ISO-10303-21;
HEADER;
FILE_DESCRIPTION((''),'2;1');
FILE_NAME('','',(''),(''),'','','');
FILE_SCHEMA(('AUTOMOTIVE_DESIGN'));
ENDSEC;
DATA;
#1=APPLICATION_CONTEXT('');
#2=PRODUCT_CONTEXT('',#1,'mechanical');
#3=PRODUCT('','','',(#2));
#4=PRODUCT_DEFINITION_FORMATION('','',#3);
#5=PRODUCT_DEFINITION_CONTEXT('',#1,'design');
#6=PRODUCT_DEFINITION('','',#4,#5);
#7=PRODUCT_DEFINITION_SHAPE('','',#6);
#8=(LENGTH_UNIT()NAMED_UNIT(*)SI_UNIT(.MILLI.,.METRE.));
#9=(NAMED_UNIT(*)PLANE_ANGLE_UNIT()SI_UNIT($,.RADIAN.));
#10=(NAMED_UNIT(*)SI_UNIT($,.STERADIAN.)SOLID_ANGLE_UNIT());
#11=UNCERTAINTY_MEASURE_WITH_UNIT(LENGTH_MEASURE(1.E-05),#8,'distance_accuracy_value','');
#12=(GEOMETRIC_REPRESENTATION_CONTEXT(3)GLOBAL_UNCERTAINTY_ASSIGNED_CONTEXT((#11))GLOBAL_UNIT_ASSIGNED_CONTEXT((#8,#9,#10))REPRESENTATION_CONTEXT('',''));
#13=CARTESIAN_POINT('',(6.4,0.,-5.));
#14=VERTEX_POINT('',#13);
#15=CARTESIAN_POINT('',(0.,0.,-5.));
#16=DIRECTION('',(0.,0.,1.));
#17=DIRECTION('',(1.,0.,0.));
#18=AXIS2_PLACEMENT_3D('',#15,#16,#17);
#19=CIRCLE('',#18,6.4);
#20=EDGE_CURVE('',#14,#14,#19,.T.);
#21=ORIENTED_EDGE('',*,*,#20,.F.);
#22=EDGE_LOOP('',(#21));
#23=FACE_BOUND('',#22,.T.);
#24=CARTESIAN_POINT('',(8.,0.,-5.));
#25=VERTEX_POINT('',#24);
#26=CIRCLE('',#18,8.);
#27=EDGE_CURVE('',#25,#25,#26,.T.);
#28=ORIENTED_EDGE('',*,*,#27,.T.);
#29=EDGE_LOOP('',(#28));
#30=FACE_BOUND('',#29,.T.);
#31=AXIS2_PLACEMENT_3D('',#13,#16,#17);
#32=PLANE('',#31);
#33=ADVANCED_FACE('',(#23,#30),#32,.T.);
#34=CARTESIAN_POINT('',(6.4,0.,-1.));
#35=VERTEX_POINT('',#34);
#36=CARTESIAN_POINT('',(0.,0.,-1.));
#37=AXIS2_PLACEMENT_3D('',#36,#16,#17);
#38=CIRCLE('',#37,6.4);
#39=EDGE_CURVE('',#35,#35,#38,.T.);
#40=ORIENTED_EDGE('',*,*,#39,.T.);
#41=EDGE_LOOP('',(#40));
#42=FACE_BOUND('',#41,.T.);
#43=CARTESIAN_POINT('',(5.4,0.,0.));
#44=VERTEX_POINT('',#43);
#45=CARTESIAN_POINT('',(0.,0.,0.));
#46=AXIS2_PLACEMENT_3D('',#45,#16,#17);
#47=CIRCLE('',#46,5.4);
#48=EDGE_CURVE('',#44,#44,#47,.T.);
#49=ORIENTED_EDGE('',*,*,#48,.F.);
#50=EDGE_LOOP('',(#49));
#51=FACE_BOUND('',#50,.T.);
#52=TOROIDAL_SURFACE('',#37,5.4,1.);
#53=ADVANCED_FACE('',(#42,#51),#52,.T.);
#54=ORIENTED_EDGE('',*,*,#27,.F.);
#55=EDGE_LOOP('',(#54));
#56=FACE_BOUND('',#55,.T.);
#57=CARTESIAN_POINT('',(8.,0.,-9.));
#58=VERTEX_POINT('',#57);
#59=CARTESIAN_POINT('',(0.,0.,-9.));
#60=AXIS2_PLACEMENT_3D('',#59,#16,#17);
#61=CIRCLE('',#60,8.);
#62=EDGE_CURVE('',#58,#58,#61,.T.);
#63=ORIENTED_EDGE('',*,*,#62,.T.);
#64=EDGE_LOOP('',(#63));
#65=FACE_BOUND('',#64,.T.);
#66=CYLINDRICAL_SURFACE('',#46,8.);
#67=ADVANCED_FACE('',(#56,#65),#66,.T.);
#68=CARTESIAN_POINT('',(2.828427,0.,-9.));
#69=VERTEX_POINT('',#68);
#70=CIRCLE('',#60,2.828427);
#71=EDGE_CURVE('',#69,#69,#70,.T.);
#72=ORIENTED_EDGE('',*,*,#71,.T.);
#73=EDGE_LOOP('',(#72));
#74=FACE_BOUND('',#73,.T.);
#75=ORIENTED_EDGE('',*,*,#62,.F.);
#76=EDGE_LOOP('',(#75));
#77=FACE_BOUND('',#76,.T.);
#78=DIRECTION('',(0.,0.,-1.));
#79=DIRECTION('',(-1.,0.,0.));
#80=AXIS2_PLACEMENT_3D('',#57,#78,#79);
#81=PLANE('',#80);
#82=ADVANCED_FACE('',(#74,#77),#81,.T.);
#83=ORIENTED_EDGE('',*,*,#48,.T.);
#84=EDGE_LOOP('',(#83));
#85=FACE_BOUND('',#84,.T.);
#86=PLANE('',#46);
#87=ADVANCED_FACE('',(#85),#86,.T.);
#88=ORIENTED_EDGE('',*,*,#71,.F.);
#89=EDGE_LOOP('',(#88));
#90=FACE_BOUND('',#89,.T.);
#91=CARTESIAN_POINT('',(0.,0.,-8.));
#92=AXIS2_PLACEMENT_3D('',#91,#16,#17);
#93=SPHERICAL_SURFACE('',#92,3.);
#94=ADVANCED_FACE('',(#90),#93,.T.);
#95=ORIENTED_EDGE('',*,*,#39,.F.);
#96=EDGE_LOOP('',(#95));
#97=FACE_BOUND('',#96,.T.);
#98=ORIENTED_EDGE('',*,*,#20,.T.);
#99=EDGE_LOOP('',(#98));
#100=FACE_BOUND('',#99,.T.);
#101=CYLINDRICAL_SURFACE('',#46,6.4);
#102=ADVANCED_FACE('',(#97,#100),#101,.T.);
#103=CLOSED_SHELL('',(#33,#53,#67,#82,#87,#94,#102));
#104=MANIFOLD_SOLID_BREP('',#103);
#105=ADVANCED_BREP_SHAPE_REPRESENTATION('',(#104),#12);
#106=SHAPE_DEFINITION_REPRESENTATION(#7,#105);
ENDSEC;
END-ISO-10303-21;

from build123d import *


with BuildPart() as part:
    # Sketch1 → Revolve1 (revolve)
    with BuildSketch(Plane(origin=(0, 0, 0), x_dir=(1, 0, 0), z_dir=(0, 1, 0))):
        with BuildLine():
            Line((0, 0), (5.4, 0))
            ThreePointArc((5.4, 0), (6.107106781, 0.292893219), (6.4, 1))
            Line((6.4, 1), (6.4, 5))
            Line((6.4, 5), (8, 5))
            Line((8, 5), (8, 9))
            Line((8, 9), (2.828427125, 9))
            ThreePointArc((2.828427125, 9), (1.732050808, 10.449489743), (0, 11))
            Line((0, 11), (0, 0))
        make_face()
    revolve(axis=Axis((0, 0, 0), (0, 0, -1)))


solid = part.part
